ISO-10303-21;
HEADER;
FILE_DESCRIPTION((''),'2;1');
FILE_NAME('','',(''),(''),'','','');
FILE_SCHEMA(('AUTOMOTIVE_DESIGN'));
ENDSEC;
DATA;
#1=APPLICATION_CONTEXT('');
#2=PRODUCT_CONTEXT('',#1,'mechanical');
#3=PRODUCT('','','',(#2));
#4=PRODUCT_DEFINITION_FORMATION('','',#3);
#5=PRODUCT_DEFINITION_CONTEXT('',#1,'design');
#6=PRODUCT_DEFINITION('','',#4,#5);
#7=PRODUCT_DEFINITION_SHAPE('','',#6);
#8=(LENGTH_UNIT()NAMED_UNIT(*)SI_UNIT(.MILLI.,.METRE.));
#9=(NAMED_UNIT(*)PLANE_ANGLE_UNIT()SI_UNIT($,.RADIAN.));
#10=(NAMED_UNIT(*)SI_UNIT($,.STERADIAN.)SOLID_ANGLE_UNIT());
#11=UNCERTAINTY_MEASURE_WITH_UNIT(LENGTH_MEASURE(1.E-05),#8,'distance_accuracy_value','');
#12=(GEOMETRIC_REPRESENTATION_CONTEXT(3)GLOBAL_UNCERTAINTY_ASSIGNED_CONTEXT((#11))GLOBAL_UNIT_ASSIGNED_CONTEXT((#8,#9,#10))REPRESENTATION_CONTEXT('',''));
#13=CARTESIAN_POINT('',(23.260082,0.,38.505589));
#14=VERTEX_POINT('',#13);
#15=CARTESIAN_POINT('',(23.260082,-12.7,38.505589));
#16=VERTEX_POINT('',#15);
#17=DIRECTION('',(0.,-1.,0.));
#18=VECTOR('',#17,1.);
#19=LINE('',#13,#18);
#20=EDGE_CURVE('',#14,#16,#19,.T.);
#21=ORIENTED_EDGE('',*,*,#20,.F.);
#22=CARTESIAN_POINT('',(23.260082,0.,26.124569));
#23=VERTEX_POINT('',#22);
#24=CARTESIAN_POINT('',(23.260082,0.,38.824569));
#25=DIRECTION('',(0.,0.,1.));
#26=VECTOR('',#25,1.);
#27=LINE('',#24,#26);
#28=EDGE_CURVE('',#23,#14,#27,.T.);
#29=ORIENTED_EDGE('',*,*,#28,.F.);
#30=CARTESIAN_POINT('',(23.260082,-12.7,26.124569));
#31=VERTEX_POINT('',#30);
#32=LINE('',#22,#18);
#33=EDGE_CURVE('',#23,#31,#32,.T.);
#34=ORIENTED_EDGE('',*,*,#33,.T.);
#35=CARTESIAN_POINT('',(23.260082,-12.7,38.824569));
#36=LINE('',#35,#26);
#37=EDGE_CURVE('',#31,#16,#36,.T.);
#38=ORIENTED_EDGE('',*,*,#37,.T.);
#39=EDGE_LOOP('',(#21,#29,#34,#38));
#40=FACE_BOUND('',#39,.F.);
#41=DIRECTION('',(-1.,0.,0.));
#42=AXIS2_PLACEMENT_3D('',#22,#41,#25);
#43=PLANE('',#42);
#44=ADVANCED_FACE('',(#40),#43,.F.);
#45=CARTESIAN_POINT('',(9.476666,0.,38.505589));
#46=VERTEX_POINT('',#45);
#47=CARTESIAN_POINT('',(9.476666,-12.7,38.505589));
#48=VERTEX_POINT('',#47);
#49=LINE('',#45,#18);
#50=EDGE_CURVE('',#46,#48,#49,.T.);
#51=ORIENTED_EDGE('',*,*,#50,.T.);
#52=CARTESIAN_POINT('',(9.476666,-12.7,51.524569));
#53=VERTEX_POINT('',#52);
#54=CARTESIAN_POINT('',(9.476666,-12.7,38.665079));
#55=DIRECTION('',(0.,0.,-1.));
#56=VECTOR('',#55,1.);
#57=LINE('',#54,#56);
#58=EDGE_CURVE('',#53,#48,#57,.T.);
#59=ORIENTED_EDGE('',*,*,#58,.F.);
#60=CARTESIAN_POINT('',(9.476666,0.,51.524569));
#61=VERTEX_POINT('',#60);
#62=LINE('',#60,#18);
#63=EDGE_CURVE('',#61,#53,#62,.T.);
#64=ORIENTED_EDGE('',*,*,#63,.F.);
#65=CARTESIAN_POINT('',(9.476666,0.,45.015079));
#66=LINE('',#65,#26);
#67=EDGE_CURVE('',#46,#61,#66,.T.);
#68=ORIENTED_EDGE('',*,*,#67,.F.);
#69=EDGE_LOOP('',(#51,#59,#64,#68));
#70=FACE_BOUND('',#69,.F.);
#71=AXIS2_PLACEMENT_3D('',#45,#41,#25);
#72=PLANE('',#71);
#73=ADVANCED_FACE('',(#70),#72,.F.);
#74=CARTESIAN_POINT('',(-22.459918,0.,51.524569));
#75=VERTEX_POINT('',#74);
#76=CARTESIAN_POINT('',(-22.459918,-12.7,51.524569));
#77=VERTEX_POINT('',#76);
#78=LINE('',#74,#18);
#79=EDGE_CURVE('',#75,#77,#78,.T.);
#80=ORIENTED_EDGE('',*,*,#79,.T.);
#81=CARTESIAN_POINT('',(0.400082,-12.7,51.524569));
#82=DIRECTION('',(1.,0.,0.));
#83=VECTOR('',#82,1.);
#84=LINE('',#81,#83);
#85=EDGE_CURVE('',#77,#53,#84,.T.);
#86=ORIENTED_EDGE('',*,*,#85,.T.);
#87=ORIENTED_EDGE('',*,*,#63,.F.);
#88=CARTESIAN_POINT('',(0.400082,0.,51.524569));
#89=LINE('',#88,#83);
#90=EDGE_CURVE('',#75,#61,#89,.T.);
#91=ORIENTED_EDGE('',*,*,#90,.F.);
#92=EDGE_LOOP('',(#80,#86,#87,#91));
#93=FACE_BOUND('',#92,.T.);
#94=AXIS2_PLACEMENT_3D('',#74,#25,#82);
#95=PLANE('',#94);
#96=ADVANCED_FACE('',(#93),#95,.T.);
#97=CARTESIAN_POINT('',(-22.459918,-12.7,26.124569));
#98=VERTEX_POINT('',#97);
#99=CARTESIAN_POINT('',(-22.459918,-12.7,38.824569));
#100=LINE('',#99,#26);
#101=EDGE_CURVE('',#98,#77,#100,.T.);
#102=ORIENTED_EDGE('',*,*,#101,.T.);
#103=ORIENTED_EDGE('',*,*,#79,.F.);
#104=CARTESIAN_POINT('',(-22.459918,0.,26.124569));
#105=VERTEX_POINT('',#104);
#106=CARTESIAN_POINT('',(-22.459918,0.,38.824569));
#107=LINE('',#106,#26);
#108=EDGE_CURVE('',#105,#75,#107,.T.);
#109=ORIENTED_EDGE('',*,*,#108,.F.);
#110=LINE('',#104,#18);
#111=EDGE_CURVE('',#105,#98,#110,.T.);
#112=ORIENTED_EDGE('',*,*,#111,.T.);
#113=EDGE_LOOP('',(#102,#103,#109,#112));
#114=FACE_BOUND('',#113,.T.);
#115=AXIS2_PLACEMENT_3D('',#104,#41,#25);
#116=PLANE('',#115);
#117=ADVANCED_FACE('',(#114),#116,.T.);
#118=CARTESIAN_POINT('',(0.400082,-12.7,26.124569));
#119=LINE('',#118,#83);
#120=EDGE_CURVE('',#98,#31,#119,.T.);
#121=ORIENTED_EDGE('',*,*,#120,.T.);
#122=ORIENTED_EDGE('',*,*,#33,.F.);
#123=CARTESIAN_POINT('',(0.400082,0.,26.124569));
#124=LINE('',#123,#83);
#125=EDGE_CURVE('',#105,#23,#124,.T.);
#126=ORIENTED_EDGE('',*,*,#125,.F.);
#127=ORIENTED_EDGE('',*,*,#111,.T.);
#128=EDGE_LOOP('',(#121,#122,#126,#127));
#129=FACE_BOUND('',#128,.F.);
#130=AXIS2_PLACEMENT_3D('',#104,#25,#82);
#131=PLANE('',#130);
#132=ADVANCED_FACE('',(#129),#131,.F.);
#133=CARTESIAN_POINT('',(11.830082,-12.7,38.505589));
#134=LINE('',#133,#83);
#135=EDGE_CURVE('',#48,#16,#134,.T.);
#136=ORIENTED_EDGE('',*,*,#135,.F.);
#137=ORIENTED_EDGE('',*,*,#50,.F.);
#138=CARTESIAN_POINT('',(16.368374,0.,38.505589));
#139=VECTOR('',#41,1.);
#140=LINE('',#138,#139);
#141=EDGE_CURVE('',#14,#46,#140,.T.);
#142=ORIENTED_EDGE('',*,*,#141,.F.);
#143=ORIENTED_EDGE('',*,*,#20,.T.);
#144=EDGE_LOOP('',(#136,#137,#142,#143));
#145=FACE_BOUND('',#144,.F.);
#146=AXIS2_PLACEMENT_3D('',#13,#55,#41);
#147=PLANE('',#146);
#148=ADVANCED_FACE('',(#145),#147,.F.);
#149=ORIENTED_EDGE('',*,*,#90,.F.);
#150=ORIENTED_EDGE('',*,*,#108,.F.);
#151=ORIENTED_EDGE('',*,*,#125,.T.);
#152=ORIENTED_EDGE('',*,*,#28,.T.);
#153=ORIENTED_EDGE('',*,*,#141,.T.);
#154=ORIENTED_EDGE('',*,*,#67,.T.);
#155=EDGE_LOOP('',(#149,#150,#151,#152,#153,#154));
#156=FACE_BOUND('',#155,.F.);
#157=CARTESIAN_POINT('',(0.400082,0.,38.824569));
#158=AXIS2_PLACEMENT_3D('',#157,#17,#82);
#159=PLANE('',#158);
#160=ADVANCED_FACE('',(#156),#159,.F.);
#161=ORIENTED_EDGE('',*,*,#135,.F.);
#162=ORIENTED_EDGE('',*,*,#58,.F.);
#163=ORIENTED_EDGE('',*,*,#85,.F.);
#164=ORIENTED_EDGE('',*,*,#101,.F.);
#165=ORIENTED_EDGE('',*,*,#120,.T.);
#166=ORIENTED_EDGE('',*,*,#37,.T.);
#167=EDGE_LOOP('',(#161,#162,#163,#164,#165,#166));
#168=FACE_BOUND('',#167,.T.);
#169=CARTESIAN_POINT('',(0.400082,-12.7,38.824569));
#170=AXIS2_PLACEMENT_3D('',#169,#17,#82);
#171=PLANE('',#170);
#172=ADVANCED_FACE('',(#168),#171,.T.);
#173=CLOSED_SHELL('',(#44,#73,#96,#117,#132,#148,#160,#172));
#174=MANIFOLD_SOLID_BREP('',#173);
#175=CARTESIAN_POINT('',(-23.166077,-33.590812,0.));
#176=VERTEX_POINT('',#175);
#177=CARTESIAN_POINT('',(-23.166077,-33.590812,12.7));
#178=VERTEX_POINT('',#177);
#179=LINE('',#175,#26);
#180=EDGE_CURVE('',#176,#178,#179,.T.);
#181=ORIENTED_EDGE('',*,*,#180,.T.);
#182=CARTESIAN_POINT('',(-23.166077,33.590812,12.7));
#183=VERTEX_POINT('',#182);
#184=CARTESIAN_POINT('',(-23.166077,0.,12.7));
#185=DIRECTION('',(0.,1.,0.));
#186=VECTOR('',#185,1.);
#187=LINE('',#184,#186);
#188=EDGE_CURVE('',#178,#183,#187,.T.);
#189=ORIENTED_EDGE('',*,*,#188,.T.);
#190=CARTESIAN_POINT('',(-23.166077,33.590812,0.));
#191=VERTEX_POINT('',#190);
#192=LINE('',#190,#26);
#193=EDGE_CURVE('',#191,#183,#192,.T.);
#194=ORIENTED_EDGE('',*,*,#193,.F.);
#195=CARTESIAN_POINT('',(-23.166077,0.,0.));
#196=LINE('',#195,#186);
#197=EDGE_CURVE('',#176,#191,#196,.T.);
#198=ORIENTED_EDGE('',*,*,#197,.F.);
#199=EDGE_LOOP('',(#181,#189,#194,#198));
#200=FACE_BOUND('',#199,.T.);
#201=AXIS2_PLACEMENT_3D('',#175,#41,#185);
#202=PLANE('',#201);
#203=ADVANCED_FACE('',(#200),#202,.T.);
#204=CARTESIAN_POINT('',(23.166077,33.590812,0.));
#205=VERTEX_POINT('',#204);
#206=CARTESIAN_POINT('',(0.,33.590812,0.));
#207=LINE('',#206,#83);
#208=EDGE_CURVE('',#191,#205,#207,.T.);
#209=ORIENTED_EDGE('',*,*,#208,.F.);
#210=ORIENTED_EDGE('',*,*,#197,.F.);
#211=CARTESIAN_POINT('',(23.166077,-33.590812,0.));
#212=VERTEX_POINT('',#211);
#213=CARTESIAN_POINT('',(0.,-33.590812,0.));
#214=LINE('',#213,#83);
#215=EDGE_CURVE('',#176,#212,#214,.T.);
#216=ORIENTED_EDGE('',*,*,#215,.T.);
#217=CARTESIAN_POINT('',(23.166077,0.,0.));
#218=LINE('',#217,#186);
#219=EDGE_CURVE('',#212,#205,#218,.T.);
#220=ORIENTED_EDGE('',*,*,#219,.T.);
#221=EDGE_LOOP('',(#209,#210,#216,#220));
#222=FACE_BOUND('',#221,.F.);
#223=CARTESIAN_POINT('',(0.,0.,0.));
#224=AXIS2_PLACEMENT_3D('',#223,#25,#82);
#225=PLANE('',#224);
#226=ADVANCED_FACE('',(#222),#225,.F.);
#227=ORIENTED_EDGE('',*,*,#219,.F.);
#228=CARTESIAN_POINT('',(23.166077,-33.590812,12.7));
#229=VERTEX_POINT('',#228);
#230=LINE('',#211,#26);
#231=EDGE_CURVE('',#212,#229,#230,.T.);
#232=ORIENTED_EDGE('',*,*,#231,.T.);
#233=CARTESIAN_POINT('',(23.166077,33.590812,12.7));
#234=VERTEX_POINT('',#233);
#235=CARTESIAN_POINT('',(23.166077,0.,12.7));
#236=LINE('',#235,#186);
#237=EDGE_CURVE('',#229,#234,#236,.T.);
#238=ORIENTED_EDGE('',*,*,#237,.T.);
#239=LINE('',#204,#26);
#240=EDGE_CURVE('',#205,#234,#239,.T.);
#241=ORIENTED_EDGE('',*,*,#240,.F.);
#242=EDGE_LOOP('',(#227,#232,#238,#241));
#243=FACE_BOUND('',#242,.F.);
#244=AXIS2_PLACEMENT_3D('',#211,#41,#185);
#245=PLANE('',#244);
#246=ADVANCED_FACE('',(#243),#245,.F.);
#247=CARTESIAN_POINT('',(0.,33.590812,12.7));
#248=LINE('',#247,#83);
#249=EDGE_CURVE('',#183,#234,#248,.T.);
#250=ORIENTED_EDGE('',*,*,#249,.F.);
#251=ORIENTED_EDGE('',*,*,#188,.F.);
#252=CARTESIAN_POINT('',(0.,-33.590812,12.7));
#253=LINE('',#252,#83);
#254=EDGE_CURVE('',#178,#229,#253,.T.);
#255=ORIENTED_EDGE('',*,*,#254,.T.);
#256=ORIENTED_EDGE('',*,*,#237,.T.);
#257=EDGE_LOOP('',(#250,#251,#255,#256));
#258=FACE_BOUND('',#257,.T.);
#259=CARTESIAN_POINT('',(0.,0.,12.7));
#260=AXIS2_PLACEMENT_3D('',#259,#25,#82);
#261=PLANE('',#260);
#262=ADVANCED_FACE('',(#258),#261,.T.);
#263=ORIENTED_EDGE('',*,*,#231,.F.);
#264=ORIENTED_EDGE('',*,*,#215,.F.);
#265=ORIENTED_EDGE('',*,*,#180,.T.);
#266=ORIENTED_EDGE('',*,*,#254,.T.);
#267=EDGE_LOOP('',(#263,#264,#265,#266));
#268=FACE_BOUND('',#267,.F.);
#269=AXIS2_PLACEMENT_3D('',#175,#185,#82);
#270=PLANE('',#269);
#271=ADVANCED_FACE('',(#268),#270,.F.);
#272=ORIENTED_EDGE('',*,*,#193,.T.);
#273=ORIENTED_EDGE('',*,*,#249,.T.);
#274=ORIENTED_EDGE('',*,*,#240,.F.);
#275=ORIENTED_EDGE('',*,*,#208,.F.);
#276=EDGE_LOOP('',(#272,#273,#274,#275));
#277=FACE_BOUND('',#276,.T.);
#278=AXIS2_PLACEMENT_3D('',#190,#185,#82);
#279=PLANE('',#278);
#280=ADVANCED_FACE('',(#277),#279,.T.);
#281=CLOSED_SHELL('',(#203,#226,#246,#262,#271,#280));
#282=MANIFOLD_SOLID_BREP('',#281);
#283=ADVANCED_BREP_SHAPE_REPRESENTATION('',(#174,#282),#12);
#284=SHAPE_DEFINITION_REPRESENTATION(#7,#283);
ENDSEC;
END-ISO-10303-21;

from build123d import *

# Parameters (mm, degrees)
F0_W     = 46.332154
F0_H     = 67.181624
F1_DEPTH = 12.7
F2_W     = 45.72
F2_H     = 25.4
F3_DEPTH = 12.7
F4_W     = 13.783416
F4_H     = 13.018981
F5_DEPTH = 25.4


with BuildPart() as f1:
    # F0 (on Top) → F1 (new body)
    with BuildSketch(Plane.XY):
        Rectangle(F0_W, F0_H)
    extrude(amount=F1_DEPTH)


with BuildPart() as f3:
    # F2 (on Front) → F3 (new body)
    with BuildSketch(Plane.XZ):
        with Locations((0.400082, 38.824569)):
            Rectangle(F2_W, F2_H)
    extrude(amount=F3_DEPTH)

    # F4 (on face) → F5 (cut)
    with BuildSketch(Plane(origin=(0, 0, 0), x_dir=(-1, 0, 0), z_dir=(0, 1, 0))):
        with Locations((-16.368374, 45.015079)):
            Rectangle(F4_W, F4_H)
    extrude(amount=-F5_DEPTH, mode=Mode.SUBTRACT)


solid = Compound([f1.part, f3.part])
